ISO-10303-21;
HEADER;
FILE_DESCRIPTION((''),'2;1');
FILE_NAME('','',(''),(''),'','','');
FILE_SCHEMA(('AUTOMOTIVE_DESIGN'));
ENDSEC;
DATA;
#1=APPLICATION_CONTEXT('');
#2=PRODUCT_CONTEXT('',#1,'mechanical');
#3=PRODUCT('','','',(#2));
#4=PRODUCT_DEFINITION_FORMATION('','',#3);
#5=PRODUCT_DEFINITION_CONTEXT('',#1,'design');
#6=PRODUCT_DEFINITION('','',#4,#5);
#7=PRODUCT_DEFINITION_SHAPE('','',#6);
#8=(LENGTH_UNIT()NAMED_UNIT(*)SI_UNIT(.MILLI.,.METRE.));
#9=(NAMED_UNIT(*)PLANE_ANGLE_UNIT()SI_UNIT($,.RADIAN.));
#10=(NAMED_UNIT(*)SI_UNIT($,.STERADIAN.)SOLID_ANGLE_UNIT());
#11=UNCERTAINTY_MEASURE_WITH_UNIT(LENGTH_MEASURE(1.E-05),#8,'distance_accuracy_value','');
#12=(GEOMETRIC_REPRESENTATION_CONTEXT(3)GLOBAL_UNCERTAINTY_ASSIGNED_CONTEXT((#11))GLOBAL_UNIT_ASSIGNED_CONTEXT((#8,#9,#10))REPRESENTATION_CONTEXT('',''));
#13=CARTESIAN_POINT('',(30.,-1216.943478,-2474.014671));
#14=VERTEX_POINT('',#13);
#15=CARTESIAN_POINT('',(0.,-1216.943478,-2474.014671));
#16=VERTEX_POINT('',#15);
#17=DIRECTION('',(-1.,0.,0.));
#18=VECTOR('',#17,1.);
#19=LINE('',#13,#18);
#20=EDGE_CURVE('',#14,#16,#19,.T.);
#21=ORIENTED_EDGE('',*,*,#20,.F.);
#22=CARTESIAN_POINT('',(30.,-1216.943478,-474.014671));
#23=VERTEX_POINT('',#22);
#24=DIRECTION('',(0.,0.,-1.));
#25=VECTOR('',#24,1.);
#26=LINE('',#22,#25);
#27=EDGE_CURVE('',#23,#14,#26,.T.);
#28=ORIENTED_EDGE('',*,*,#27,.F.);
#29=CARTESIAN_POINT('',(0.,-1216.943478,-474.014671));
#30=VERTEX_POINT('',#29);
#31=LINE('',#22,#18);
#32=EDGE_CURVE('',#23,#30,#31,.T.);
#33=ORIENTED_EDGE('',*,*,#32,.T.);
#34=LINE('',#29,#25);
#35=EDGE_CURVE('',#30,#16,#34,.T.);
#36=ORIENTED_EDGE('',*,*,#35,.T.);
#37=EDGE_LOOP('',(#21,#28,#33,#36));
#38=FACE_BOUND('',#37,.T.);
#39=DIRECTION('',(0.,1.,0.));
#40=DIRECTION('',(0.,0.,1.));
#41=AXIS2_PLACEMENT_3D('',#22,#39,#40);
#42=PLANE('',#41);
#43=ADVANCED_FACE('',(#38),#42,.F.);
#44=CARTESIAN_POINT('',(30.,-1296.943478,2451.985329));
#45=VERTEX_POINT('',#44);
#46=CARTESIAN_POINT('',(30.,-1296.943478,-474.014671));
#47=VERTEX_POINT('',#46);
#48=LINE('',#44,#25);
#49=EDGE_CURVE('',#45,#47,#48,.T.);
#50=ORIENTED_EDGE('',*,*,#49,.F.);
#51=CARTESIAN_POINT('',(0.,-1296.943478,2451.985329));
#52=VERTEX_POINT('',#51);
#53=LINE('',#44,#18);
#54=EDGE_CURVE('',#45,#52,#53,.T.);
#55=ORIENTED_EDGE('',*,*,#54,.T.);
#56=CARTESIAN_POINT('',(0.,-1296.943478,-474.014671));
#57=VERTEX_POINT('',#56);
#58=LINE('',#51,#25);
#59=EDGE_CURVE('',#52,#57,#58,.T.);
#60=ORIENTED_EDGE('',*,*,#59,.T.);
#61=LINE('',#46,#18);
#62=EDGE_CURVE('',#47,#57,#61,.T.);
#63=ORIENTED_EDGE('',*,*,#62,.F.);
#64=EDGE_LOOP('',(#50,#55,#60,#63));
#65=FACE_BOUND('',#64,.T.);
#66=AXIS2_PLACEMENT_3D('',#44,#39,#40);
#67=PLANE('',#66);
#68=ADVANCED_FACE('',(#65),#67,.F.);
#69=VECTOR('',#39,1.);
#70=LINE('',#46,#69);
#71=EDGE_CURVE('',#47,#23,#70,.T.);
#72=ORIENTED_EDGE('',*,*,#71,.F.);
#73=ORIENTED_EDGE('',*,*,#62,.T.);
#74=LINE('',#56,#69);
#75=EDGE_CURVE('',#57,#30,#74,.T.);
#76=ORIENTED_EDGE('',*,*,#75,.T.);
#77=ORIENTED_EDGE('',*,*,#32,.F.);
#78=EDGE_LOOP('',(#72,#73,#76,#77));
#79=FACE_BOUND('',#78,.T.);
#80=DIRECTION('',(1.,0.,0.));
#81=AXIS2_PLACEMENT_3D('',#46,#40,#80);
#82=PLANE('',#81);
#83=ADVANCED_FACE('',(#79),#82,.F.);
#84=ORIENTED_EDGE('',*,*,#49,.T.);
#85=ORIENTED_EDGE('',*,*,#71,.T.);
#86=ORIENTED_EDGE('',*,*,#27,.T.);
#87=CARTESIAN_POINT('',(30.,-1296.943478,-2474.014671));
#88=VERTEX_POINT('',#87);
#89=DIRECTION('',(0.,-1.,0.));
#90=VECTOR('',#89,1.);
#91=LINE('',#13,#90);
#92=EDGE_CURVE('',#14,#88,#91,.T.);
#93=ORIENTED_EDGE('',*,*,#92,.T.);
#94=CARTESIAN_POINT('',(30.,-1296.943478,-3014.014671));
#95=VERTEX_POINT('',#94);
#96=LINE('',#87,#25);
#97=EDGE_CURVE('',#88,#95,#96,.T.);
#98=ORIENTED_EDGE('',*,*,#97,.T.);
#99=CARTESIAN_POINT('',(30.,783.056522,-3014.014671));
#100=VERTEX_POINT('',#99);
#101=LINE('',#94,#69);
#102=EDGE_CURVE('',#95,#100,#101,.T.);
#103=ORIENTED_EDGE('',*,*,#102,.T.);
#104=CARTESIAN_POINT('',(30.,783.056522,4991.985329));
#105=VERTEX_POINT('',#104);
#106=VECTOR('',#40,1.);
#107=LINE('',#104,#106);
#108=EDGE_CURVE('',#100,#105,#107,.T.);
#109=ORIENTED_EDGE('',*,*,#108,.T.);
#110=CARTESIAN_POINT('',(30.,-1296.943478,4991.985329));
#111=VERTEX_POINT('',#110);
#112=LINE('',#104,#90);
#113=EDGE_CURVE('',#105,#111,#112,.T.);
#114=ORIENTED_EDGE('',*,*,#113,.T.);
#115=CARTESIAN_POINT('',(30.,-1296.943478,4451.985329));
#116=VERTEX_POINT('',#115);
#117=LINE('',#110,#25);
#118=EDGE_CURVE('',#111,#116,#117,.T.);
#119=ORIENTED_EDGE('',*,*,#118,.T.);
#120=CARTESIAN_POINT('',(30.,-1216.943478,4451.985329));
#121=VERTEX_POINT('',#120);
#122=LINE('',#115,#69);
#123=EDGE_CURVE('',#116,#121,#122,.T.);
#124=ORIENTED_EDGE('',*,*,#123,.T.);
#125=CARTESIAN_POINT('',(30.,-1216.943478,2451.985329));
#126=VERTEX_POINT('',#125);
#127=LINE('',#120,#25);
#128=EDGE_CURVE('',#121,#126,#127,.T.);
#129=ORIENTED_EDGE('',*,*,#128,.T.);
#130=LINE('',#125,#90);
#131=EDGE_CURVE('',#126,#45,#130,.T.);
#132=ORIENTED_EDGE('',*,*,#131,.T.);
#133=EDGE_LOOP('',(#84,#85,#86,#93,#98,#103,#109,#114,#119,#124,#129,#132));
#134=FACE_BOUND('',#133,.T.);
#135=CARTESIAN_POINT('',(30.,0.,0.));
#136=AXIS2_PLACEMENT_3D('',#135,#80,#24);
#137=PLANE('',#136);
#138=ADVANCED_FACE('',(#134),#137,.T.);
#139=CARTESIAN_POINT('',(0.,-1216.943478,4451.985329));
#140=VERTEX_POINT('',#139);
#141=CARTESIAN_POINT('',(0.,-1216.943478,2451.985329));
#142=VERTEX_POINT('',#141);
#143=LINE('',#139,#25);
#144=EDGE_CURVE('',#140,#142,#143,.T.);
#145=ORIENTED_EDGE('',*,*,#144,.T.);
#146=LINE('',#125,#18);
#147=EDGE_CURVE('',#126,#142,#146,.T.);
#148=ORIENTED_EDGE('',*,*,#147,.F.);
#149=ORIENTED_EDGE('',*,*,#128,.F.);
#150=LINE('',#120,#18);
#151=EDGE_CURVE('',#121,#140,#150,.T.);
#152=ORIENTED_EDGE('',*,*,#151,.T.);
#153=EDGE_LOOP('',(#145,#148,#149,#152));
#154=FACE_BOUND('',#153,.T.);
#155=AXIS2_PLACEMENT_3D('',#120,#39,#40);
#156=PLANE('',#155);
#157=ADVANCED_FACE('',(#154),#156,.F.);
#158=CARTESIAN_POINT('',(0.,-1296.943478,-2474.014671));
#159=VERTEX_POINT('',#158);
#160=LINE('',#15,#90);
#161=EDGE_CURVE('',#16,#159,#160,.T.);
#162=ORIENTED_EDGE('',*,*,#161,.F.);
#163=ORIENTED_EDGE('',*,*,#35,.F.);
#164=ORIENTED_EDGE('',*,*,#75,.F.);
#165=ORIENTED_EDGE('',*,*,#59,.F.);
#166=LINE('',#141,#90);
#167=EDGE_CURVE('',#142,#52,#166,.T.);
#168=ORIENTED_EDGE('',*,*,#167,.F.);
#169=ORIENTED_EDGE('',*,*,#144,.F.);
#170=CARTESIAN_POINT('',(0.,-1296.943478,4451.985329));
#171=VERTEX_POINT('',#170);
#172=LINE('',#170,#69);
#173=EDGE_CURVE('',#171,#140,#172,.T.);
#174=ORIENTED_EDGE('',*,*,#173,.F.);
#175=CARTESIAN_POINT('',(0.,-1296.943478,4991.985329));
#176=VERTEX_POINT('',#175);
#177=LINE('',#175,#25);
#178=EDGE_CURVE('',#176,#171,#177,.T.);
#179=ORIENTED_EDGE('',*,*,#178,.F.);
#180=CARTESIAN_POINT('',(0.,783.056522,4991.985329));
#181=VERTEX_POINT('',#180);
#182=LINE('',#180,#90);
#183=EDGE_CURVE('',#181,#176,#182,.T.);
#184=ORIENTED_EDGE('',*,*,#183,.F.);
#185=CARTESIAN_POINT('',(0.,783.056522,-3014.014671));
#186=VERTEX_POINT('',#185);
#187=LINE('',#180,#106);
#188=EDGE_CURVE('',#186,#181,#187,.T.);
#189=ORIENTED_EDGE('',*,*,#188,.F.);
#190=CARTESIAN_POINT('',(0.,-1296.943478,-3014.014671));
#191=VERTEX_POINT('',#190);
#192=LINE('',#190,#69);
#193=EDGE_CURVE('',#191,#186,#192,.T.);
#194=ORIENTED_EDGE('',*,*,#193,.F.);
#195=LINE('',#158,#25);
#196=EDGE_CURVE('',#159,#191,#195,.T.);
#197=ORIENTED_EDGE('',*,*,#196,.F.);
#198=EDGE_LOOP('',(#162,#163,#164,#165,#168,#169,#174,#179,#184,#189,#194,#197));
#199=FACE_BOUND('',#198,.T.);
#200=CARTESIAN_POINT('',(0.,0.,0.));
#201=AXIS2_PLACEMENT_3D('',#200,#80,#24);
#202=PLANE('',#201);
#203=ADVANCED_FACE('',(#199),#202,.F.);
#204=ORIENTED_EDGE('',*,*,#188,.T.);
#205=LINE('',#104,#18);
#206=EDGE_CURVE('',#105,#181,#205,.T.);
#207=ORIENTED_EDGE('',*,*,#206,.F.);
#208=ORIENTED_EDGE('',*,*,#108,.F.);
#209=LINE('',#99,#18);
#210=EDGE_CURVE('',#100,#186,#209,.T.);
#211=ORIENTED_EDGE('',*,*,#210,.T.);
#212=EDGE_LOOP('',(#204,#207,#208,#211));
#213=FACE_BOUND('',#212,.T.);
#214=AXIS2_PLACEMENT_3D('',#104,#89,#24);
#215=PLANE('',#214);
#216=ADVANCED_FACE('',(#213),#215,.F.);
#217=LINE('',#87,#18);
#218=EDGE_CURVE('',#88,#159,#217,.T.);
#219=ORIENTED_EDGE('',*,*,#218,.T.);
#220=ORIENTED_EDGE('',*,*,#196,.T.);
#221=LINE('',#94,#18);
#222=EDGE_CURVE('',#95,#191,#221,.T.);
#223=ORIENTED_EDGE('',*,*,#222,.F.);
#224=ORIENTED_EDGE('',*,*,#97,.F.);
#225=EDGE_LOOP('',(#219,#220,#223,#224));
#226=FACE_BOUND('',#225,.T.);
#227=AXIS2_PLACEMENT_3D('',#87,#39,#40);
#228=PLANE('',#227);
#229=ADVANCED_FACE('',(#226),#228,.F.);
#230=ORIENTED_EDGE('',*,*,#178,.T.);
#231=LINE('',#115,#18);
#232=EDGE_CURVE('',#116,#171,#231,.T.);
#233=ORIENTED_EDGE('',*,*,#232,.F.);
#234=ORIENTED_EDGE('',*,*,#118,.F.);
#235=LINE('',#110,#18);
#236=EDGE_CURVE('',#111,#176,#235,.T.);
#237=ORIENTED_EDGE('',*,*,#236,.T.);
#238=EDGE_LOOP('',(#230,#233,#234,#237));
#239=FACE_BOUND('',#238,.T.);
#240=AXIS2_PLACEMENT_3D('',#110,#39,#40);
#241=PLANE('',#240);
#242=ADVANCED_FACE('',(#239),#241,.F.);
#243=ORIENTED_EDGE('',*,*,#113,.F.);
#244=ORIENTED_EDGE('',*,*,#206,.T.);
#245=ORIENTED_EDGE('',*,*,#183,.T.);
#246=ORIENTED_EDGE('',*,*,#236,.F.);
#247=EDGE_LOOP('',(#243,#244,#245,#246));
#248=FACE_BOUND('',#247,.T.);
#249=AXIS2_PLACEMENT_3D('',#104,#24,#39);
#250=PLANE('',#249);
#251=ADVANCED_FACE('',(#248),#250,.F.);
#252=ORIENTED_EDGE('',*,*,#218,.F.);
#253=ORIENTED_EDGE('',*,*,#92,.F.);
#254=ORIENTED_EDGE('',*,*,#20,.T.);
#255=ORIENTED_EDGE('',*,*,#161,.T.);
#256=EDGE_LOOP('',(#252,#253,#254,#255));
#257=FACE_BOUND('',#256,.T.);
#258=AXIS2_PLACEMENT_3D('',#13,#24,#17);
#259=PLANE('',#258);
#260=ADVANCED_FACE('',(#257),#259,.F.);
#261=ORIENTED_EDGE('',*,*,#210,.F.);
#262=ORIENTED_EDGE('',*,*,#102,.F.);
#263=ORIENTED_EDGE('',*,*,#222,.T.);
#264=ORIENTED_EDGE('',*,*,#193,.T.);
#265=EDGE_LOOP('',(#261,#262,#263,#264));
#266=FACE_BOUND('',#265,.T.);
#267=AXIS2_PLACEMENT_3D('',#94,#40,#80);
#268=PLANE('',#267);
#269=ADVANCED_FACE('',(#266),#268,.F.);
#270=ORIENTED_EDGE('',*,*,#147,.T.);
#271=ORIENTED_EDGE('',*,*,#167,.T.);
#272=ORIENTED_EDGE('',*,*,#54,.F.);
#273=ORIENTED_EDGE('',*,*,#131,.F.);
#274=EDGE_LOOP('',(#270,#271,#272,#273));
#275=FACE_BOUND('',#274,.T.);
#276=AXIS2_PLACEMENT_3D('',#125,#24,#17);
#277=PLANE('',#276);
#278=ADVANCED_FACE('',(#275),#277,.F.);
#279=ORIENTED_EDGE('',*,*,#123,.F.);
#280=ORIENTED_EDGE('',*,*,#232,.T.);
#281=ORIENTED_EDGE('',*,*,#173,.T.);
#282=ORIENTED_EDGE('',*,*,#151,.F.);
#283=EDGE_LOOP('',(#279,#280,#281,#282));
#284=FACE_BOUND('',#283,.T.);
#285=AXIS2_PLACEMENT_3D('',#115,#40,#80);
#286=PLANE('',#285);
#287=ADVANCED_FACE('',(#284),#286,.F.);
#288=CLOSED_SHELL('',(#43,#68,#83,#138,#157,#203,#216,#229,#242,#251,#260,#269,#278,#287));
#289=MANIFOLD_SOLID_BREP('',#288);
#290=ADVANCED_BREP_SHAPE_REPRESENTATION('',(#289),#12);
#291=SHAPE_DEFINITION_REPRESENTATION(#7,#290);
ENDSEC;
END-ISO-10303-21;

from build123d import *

# Parameters (mm, degrees)
BOSS_EXTRUDE1_DEPTH = 30


with BuildPart() as part:
    # Sketch1 → Boss-Extrude1 (new body)
    with BuildSketch(Plane(origin=(0, 0, 0), x_dir=(0, 0, -1), z_dir=(1, 0, 0))):
        Polygon((-4991.985328694, -1296.943477852), (-4451.985328694, -1296.943477852), (-4451.985328694, -1216.943477852), (-2451.985328694, -1216.943477852), (-2451.985328694, -1296.943477852), (474.014671306, -1296.943477852), (474.014671306, -1216.943477852), (2474.014671306, -1216.943477852), (2474.014671306, -1296.943477852), (3014.014671306, -1296.943477852), (3014.014671306, 783.056522148), (-4991.985328694, 783.056522148), align=None)
    extrude(amount=BOSS_EXTRUDE1_DEPTH)


solid = part.part
